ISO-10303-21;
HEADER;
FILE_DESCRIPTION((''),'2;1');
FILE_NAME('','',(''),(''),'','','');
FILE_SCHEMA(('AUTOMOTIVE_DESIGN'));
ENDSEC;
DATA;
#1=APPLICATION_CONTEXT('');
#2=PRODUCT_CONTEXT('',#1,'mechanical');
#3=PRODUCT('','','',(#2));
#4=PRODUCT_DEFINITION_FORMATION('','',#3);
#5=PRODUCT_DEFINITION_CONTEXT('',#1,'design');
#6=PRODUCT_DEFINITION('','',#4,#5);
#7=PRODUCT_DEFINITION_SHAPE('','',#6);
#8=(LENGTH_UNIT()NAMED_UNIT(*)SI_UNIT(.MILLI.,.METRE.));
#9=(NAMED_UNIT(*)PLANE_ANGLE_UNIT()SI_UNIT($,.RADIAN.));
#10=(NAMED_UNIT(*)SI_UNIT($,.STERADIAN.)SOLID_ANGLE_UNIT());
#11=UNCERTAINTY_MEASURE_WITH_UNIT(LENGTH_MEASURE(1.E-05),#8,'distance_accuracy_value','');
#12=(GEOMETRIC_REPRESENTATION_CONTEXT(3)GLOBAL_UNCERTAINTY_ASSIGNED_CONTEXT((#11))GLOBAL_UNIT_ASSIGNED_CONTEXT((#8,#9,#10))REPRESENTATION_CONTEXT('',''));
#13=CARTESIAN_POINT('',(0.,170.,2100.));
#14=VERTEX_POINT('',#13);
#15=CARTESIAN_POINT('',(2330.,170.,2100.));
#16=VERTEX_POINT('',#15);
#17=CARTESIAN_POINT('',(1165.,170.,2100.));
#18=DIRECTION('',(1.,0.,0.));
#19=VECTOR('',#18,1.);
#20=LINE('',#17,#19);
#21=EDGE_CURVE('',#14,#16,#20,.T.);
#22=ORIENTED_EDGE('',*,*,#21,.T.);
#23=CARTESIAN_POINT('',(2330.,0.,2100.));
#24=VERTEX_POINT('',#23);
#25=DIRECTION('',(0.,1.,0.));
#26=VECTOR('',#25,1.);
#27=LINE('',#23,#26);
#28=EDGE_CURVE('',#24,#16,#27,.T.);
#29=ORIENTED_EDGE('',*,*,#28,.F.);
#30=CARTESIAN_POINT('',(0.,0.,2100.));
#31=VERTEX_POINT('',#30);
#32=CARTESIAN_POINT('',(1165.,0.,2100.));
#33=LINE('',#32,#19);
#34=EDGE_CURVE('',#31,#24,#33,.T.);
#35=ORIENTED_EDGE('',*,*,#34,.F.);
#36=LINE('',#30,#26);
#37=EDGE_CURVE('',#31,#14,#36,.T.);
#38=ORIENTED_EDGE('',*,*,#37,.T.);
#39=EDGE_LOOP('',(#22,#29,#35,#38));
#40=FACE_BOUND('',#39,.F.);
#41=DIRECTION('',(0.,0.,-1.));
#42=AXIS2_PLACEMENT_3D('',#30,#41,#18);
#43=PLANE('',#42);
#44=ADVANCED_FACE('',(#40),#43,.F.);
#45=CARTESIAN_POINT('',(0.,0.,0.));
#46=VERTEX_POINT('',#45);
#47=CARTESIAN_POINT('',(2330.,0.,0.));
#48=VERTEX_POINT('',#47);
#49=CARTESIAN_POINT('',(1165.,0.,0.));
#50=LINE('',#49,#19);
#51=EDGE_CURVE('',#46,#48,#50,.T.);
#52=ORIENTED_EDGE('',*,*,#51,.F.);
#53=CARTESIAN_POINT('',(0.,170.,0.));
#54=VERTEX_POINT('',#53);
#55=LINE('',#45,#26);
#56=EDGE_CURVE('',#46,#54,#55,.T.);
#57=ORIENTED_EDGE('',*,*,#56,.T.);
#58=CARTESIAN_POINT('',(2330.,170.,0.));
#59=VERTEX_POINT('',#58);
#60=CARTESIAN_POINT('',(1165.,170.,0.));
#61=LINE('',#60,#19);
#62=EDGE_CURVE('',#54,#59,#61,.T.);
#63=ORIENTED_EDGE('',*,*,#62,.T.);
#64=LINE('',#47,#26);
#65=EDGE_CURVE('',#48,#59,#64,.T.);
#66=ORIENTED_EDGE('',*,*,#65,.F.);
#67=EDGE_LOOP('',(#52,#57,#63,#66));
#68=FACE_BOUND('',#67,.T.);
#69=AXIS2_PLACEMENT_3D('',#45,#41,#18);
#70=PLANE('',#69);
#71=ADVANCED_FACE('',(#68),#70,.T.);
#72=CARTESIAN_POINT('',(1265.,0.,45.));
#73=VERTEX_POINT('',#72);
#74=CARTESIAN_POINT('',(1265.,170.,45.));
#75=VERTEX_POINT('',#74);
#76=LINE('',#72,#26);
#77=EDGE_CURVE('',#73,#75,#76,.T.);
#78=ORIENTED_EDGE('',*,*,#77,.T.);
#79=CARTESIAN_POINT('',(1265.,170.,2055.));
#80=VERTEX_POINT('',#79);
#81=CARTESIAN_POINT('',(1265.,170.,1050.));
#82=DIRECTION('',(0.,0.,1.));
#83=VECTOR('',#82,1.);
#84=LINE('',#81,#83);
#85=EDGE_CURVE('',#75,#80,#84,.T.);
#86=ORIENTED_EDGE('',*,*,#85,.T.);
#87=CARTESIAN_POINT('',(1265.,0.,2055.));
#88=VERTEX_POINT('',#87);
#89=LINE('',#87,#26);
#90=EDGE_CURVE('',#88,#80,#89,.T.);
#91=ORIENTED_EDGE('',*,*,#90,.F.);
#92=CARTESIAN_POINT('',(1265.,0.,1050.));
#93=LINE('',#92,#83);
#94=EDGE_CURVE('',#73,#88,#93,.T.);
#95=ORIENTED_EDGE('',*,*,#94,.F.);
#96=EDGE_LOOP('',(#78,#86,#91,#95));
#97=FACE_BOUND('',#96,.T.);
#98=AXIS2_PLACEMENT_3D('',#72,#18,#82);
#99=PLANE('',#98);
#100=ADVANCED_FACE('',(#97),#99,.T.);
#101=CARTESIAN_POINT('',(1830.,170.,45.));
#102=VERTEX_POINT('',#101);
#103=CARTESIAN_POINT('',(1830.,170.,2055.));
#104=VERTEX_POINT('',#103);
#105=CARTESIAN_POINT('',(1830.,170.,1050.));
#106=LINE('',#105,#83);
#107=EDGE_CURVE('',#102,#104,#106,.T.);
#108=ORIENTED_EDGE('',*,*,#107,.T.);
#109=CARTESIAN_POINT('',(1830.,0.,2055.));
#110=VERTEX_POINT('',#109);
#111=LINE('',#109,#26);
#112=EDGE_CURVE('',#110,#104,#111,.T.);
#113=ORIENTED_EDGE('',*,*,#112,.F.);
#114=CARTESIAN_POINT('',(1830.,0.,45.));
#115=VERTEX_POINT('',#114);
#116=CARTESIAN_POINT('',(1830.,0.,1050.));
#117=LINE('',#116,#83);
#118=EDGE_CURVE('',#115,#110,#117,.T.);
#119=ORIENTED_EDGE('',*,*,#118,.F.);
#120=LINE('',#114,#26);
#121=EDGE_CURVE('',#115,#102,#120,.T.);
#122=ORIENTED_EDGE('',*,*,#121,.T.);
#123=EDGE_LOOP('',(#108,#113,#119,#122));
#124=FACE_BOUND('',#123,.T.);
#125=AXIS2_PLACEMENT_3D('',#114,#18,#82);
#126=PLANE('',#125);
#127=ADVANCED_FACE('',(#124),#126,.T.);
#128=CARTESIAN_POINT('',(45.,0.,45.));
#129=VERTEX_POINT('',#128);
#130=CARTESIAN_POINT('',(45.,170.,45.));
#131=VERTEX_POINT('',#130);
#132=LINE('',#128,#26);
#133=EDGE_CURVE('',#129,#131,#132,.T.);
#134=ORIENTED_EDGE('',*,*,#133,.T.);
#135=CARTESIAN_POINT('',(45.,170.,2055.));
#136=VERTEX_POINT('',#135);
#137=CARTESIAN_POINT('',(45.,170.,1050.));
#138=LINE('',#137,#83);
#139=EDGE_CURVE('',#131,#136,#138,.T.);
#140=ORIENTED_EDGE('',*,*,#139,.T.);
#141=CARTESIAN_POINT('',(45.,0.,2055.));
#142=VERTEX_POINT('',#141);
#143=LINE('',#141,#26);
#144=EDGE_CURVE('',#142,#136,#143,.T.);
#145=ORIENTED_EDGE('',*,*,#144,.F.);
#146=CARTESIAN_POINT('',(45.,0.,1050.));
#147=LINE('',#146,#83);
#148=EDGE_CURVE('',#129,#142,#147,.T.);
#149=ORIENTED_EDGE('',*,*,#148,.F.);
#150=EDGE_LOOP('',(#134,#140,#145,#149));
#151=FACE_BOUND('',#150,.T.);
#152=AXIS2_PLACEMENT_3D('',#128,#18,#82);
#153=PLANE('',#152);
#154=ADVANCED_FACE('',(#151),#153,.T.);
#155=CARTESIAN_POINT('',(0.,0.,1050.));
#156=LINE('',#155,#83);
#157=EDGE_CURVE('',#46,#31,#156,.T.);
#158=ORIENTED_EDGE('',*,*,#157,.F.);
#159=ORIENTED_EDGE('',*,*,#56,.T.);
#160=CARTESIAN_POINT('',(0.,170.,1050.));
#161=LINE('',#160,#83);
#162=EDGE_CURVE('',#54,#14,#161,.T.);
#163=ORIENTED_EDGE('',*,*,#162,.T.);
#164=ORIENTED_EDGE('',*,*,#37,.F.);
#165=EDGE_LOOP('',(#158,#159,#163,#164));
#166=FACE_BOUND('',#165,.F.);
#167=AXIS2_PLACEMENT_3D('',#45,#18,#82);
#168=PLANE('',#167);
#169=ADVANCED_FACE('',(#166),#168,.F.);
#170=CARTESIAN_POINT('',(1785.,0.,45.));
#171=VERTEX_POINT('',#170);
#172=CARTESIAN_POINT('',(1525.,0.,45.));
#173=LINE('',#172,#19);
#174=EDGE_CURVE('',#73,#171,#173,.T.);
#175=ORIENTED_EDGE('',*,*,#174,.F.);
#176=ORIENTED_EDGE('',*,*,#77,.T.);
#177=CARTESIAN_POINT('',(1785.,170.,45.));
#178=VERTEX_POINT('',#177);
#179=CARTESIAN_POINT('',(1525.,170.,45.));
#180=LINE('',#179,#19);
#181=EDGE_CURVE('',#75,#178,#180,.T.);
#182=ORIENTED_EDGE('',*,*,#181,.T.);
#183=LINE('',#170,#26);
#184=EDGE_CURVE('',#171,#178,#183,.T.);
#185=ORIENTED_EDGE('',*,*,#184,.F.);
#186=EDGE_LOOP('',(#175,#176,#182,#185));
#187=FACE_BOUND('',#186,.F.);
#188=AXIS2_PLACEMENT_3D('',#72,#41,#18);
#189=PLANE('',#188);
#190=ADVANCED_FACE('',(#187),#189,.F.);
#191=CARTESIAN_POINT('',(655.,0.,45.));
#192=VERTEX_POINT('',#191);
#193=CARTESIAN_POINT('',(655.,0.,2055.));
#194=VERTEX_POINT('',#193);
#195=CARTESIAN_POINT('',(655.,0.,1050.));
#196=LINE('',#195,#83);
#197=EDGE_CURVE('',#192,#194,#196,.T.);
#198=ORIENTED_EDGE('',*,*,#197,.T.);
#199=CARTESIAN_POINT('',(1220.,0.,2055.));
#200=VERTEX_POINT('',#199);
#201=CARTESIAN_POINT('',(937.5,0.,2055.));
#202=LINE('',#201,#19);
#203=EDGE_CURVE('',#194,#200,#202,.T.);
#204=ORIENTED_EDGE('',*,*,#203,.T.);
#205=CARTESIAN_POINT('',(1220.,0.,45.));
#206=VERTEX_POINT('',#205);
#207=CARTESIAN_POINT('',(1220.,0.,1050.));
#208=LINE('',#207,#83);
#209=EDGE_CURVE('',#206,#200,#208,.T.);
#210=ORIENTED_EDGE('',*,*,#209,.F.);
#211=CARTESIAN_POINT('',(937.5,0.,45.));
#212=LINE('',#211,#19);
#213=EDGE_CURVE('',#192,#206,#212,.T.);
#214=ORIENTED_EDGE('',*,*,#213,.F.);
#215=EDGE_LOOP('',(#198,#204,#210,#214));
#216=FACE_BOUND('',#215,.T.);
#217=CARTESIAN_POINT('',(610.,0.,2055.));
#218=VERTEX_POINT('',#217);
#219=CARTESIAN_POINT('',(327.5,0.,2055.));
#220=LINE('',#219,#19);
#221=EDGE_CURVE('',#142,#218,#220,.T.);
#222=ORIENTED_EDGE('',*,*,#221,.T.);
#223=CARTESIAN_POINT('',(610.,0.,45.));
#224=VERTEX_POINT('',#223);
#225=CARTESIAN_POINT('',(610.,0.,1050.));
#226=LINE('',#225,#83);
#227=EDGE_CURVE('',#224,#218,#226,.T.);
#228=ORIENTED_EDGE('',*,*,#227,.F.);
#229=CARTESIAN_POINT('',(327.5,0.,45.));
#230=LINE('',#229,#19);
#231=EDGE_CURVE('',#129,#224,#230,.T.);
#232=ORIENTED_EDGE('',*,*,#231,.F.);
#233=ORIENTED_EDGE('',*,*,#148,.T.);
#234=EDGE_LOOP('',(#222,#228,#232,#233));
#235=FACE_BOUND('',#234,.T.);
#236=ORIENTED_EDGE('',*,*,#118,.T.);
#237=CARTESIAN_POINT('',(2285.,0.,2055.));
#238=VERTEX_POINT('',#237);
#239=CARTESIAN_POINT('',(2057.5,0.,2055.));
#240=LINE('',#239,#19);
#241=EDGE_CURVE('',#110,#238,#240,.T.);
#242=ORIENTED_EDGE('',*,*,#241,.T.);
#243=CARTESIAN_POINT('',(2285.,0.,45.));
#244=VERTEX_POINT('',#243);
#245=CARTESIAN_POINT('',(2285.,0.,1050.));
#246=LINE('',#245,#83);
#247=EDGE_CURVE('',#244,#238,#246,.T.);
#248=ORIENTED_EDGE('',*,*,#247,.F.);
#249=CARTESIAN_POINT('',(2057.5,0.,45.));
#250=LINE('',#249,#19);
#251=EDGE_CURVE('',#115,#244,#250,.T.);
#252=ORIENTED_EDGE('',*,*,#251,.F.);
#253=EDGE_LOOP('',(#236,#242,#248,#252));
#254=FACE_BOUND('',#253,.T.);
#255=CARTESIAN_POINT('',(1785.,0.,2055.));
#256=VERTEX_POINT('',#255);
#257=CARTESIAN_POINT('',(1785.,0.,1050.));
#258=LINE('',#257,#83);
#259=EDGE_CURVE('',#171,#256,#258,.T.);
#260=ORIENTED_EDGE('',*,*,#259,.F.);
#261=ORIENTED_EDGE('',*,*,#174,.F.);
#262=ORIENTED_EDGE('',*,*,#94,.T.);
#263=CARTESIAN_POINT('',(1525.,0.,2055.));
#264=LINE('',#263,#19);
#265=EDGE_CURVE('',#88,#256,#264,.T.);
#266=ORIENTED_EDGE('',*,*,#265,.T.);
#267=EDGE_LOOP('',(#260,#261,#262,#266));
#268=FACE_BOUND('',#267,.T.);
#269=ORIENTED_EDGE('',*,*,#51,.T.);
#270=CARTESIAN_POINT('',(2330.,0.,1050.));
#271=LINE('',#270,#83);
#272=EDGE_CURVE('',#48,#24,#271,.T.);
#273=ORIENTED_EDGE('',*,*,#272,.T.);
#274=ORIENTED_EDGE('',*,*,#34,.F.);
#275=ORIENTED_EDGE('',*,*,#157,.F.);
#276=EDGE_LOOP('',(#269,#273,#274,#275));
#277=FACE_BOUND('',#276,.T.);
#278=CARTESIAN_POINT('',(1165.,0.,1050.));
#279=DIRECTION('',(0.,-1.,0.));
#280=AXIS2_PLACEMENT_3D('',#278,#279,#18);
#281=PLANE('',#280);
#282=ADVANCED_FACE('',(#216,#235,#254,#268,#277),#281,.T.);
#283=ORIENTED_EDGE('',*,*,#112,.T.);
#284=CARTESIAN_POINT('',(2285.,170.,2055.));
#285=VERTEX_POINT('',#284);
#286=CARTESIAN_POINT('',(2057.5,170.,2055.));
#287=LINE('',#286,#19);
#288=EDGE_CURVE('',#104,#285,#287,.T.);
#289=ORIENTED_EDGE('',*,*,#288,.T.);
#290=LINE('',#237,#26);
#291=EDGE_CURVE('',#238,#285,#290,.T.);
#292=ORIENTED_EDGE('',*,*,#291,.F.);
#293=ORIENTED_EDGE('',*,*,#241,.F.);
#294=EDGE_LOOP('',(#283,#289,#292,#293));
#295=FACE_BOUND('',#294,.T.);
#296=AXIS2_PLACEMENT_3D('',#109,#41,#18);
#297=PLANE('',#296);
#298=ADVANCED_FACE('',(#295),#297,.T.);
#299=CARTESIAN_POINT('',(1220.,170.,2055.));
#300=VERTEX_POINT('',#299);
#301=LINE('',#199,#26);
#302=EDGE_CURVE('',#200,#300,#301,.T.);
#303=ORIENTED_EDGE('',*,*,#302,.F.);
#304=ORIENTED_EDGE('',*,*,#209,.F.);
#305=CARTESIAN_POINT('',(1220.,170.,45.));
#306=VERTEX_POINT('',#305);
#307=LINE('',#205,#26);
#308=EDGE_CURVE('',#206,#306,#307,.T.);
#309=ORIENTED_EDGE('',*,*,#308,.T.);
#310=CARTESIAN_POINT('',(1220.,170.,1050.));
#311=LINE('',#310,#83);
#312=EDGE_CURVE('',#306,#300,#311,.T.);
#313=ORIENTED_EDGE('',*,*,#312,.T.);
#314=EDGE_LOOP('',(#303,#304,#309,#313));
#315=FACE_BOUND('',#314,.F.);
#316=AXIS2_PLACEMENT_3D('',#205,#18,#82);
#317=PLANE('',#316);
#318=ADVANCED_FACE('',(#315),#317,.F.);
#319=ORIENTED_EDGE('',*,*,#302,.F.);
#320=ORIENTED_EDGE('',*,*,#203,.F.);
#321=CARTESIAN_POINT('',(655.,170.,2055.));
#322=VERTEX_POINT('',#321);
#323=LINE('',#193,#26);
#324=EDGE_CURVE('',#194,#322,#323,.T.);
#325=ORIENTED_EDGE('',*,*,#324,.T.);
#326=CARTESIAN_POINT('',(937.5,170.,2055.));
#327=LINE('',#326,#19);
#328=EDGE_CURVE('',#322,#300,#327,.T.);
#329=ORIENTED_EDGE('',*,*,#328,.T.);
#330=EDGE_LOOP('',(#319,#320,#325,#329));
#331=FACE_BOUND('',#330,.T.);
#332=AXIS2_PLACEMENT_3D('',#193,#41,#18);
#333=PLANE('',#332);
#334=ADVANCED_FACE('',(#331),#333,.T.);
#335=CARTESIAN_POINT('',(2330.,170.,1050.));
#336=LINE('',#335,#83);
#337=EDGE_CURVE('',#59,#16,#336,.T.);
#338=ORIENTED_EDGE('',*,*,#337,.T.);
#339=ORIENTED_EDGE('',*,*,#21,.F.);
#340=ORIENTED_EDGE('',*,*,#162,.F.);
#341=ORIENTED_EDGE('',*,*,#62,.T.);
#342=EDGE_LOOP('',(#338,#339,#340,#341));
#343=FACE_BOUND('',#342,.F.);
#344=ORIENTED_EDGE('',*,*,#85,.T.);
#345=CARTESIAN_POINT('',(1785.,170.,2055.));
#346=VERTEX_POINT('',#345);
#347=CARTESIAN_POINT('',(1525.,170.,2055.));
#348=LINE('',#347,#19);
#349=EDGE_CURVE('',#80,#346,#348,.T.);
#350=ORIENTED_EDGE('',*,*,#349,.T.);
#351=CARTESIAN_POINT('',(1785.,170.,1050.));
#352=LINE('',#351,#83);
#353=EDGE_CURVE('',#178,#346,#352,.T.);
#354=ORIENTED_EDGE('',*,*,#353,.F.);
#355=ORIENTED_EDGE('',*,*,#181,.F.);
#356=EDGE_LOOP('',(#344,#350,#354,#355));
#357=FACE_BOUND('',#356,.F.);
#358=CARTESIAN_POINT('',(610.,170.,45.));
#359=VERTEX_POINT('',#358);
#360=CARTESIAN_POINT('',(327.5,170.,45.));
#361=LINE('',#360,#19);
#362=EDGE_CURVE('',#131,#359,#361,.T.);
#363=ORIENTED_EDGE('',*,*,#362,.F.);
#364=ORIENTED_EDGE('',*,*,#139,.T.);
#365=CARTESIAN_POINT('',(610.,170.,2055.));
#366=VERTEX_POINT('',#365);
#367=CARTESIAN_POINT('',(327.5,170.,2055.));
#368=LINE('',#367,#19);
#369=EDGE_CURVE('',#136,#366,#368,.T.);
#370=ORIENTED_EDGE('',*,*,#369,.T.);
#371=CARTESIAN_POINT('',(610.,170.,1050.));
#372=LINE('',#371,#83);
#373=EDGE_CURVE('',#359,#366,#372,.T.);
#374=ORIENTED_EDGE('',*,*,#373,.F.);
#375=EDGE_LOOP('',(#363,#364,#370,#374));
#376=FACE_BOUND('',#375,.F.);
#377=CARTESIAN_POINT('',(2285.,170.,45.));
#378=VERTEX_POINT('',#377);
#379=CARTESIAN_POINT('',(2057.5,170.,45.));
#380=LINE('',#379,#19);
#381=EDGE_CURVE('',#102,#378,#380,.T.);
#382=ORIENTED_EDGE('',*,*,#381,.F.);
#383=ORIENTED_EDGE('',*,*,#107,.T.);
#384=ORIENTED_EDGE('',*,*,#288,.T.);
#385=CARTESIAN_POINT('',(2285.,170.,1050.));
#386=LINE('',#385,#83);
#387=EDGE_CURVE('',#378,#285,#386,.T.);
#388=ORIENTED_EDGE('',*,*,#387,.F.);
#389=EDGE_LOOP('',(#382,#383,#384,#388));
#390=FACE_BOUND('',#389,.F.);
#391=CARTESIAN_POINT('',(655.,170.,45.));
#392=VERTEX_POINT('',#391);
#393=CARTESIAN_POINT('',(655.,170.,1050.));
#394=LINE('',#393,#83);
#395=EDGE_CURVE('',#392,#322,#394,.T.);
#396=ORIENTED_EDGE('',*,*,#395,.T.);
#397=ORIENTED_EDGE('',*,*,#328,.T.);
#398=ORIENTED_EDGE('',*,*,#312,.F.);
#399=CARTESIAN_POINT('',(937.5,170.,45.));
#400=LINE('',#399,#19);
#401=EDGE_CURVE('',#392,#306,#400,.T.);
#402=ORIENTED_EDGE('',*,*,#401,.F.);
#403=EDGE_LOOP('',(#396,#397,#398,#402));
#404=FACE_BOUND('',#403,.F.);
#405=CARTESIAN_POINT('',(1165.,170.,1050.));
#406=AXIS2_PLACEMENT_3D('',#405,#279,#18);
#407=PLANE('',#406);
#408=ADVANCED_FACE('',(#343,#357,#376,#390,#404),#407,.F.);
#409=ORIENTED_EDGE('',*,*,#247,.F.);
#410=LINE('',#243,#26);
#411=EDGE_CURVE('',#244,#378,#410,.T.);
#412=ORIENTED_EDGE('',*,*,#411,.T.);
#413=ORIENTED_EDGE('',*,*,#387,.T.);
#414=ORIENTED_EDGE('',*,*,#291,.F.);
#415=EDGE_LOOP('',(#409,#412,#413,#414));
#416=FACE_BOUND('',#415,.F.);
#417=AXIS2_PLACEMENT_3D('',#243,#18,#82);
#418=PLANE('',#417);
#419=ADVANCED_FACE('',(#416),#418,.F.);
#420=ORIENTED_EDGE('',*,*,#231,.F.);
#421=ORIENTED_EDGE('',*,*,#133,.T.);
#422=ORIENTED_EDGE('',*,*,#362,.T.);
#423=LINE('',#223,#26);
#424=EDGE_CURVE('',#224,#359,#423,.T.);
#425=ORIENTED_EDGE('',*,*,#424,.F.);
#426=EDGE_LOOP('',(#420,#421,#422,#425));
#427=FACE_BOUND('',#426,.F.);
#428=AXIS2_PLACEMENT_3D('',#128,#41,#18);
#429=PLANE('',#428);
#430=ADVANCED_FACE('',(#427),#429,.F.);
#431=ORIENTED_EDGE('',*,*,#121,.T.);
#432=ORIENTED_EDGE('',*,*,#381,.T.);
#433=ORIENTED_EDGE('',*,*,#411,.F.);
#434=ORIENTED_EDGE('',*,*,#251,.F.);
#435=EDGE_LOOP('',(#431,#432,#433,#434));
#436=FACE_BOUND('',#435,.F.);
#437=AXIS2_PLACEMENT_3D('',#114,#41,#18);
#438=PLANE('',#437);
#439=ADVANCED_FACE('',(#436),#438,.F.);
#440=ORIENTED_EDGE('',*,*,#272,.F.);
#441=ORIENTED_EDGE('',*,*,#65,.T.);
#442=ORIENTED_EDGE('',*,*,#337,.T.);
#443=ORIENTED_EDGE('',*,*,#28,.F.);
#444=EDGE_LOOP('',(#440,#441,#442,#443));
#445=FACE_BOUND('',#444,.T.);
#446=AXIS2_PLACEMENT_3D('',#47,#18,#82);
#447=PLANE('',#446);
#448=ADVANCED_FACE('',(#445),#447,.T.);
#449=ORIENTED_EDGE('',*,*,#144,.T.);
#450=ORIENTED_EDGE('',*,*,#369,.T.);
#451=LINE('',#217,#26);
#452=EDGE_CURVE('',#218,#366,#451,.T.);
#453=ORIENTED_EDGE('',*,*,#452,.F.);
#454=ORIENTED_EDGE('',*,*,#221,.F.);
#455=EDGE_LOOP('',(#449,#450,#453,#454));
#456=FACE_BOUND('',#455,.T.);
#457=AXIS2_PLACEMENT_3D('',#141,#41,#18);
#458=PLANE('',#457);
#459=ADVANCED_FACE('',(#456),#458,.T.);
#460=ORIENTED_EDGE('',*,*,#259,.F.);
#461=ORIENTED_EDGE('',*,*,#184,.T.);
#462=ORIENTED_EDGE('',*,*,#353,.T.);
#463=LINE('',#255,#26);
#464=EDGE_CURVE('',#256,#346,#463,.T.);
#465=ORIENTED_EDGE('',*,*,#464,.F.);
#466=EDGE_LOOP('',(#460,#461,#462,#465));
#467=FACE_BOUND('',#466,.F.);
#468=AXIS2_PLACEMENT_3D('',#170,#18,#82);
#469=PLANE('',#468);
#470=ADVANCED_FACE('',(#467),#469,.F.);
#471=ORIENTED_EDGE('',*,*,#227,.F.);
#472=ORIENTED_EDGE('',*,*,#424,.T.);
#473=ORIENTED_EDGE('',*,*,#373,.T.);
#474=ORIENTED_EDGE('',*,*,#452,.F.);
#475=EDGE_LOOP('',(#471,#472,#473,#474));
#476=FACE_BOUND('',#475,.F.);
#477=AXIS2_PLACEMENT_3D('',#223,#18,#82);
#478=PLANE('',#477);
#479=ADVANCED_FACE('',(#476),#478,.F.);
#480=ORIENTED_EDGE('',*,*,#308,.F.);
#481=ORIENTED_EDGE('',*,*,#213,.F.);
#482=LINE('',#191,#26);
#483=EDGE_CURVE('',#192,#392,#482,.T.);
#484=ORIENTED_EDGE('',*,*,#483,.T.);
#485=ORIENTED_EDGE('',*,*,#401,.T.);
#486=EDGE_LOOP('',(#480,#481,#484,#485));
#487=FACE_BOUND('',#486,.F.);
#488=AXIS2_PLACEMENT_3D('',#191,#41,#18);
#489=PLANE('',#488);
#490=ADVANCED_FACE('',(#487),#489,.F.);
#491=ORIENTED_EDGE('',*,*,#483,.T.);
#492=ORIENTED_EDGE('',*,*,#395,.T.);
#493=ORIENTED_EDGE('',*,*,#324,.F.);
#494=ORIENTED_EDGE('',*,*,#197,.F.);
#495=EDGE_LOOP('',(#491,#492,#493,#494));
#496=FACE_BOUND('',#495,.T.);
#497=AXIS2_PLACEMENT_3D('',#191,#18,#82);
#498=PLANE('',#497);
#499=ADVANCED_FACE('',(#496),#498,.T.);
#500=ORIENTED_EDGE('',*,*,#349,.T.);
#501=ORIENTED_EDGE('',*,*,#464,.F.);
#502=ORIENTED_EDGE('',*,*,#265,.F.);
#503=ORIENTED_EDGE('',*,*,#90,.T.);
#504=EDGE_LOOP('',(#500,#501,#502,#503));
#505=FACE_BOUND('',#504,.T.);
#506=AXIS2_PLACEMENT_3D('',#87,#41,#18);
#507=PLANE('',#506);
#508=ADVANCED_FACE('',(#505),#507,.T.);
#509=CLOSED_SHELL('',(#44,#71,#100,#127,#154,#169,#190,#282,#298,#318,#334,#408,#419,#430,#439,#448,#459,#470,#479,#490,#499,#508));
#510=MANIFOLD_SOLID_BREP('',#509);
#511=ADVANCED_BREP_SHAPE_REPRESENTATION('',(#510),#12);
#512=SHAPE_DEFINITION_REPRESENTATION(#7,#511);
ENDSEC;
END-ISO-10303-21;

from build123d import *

# Parameters (mm, degrees)
F0_W     = 2330
F0_H     = 2100
F0_W_2   = 565
F0_H_2   = 2010
F0_W_3   = 520
F0_W_4   = 455
F1_DEPTH = 170


with BuildPart() as f1:
    # F0 (on Front) → F1 (new body)
    with BuildSketch(Plane.XZ):
        with Locations((1165, 1050)):
            Rectangle(F0_W, F0_H)
        with Locations((327.5, 1050)):
            Rectangle(F0_W_2, F0_H_2, mode=Mode.SUBTRACT)
        with Locations((937.5, 1050)):
            Rectangle(F0_W_2, F0_H_2, mode=Mode.SUBTRACT)
        with Locations((1525, 1050)):
            Rectangle(F0_W_3, F0_H_2, mode=Mode.SUBTRACT)
        with Locations((2057.5, 1050)):
            Rectangle(F0_W_4, F0_H_2, mode=Mode.SUBTRACT)
    extrude(amount=-F1_DEPTH)


solid = f1.part
